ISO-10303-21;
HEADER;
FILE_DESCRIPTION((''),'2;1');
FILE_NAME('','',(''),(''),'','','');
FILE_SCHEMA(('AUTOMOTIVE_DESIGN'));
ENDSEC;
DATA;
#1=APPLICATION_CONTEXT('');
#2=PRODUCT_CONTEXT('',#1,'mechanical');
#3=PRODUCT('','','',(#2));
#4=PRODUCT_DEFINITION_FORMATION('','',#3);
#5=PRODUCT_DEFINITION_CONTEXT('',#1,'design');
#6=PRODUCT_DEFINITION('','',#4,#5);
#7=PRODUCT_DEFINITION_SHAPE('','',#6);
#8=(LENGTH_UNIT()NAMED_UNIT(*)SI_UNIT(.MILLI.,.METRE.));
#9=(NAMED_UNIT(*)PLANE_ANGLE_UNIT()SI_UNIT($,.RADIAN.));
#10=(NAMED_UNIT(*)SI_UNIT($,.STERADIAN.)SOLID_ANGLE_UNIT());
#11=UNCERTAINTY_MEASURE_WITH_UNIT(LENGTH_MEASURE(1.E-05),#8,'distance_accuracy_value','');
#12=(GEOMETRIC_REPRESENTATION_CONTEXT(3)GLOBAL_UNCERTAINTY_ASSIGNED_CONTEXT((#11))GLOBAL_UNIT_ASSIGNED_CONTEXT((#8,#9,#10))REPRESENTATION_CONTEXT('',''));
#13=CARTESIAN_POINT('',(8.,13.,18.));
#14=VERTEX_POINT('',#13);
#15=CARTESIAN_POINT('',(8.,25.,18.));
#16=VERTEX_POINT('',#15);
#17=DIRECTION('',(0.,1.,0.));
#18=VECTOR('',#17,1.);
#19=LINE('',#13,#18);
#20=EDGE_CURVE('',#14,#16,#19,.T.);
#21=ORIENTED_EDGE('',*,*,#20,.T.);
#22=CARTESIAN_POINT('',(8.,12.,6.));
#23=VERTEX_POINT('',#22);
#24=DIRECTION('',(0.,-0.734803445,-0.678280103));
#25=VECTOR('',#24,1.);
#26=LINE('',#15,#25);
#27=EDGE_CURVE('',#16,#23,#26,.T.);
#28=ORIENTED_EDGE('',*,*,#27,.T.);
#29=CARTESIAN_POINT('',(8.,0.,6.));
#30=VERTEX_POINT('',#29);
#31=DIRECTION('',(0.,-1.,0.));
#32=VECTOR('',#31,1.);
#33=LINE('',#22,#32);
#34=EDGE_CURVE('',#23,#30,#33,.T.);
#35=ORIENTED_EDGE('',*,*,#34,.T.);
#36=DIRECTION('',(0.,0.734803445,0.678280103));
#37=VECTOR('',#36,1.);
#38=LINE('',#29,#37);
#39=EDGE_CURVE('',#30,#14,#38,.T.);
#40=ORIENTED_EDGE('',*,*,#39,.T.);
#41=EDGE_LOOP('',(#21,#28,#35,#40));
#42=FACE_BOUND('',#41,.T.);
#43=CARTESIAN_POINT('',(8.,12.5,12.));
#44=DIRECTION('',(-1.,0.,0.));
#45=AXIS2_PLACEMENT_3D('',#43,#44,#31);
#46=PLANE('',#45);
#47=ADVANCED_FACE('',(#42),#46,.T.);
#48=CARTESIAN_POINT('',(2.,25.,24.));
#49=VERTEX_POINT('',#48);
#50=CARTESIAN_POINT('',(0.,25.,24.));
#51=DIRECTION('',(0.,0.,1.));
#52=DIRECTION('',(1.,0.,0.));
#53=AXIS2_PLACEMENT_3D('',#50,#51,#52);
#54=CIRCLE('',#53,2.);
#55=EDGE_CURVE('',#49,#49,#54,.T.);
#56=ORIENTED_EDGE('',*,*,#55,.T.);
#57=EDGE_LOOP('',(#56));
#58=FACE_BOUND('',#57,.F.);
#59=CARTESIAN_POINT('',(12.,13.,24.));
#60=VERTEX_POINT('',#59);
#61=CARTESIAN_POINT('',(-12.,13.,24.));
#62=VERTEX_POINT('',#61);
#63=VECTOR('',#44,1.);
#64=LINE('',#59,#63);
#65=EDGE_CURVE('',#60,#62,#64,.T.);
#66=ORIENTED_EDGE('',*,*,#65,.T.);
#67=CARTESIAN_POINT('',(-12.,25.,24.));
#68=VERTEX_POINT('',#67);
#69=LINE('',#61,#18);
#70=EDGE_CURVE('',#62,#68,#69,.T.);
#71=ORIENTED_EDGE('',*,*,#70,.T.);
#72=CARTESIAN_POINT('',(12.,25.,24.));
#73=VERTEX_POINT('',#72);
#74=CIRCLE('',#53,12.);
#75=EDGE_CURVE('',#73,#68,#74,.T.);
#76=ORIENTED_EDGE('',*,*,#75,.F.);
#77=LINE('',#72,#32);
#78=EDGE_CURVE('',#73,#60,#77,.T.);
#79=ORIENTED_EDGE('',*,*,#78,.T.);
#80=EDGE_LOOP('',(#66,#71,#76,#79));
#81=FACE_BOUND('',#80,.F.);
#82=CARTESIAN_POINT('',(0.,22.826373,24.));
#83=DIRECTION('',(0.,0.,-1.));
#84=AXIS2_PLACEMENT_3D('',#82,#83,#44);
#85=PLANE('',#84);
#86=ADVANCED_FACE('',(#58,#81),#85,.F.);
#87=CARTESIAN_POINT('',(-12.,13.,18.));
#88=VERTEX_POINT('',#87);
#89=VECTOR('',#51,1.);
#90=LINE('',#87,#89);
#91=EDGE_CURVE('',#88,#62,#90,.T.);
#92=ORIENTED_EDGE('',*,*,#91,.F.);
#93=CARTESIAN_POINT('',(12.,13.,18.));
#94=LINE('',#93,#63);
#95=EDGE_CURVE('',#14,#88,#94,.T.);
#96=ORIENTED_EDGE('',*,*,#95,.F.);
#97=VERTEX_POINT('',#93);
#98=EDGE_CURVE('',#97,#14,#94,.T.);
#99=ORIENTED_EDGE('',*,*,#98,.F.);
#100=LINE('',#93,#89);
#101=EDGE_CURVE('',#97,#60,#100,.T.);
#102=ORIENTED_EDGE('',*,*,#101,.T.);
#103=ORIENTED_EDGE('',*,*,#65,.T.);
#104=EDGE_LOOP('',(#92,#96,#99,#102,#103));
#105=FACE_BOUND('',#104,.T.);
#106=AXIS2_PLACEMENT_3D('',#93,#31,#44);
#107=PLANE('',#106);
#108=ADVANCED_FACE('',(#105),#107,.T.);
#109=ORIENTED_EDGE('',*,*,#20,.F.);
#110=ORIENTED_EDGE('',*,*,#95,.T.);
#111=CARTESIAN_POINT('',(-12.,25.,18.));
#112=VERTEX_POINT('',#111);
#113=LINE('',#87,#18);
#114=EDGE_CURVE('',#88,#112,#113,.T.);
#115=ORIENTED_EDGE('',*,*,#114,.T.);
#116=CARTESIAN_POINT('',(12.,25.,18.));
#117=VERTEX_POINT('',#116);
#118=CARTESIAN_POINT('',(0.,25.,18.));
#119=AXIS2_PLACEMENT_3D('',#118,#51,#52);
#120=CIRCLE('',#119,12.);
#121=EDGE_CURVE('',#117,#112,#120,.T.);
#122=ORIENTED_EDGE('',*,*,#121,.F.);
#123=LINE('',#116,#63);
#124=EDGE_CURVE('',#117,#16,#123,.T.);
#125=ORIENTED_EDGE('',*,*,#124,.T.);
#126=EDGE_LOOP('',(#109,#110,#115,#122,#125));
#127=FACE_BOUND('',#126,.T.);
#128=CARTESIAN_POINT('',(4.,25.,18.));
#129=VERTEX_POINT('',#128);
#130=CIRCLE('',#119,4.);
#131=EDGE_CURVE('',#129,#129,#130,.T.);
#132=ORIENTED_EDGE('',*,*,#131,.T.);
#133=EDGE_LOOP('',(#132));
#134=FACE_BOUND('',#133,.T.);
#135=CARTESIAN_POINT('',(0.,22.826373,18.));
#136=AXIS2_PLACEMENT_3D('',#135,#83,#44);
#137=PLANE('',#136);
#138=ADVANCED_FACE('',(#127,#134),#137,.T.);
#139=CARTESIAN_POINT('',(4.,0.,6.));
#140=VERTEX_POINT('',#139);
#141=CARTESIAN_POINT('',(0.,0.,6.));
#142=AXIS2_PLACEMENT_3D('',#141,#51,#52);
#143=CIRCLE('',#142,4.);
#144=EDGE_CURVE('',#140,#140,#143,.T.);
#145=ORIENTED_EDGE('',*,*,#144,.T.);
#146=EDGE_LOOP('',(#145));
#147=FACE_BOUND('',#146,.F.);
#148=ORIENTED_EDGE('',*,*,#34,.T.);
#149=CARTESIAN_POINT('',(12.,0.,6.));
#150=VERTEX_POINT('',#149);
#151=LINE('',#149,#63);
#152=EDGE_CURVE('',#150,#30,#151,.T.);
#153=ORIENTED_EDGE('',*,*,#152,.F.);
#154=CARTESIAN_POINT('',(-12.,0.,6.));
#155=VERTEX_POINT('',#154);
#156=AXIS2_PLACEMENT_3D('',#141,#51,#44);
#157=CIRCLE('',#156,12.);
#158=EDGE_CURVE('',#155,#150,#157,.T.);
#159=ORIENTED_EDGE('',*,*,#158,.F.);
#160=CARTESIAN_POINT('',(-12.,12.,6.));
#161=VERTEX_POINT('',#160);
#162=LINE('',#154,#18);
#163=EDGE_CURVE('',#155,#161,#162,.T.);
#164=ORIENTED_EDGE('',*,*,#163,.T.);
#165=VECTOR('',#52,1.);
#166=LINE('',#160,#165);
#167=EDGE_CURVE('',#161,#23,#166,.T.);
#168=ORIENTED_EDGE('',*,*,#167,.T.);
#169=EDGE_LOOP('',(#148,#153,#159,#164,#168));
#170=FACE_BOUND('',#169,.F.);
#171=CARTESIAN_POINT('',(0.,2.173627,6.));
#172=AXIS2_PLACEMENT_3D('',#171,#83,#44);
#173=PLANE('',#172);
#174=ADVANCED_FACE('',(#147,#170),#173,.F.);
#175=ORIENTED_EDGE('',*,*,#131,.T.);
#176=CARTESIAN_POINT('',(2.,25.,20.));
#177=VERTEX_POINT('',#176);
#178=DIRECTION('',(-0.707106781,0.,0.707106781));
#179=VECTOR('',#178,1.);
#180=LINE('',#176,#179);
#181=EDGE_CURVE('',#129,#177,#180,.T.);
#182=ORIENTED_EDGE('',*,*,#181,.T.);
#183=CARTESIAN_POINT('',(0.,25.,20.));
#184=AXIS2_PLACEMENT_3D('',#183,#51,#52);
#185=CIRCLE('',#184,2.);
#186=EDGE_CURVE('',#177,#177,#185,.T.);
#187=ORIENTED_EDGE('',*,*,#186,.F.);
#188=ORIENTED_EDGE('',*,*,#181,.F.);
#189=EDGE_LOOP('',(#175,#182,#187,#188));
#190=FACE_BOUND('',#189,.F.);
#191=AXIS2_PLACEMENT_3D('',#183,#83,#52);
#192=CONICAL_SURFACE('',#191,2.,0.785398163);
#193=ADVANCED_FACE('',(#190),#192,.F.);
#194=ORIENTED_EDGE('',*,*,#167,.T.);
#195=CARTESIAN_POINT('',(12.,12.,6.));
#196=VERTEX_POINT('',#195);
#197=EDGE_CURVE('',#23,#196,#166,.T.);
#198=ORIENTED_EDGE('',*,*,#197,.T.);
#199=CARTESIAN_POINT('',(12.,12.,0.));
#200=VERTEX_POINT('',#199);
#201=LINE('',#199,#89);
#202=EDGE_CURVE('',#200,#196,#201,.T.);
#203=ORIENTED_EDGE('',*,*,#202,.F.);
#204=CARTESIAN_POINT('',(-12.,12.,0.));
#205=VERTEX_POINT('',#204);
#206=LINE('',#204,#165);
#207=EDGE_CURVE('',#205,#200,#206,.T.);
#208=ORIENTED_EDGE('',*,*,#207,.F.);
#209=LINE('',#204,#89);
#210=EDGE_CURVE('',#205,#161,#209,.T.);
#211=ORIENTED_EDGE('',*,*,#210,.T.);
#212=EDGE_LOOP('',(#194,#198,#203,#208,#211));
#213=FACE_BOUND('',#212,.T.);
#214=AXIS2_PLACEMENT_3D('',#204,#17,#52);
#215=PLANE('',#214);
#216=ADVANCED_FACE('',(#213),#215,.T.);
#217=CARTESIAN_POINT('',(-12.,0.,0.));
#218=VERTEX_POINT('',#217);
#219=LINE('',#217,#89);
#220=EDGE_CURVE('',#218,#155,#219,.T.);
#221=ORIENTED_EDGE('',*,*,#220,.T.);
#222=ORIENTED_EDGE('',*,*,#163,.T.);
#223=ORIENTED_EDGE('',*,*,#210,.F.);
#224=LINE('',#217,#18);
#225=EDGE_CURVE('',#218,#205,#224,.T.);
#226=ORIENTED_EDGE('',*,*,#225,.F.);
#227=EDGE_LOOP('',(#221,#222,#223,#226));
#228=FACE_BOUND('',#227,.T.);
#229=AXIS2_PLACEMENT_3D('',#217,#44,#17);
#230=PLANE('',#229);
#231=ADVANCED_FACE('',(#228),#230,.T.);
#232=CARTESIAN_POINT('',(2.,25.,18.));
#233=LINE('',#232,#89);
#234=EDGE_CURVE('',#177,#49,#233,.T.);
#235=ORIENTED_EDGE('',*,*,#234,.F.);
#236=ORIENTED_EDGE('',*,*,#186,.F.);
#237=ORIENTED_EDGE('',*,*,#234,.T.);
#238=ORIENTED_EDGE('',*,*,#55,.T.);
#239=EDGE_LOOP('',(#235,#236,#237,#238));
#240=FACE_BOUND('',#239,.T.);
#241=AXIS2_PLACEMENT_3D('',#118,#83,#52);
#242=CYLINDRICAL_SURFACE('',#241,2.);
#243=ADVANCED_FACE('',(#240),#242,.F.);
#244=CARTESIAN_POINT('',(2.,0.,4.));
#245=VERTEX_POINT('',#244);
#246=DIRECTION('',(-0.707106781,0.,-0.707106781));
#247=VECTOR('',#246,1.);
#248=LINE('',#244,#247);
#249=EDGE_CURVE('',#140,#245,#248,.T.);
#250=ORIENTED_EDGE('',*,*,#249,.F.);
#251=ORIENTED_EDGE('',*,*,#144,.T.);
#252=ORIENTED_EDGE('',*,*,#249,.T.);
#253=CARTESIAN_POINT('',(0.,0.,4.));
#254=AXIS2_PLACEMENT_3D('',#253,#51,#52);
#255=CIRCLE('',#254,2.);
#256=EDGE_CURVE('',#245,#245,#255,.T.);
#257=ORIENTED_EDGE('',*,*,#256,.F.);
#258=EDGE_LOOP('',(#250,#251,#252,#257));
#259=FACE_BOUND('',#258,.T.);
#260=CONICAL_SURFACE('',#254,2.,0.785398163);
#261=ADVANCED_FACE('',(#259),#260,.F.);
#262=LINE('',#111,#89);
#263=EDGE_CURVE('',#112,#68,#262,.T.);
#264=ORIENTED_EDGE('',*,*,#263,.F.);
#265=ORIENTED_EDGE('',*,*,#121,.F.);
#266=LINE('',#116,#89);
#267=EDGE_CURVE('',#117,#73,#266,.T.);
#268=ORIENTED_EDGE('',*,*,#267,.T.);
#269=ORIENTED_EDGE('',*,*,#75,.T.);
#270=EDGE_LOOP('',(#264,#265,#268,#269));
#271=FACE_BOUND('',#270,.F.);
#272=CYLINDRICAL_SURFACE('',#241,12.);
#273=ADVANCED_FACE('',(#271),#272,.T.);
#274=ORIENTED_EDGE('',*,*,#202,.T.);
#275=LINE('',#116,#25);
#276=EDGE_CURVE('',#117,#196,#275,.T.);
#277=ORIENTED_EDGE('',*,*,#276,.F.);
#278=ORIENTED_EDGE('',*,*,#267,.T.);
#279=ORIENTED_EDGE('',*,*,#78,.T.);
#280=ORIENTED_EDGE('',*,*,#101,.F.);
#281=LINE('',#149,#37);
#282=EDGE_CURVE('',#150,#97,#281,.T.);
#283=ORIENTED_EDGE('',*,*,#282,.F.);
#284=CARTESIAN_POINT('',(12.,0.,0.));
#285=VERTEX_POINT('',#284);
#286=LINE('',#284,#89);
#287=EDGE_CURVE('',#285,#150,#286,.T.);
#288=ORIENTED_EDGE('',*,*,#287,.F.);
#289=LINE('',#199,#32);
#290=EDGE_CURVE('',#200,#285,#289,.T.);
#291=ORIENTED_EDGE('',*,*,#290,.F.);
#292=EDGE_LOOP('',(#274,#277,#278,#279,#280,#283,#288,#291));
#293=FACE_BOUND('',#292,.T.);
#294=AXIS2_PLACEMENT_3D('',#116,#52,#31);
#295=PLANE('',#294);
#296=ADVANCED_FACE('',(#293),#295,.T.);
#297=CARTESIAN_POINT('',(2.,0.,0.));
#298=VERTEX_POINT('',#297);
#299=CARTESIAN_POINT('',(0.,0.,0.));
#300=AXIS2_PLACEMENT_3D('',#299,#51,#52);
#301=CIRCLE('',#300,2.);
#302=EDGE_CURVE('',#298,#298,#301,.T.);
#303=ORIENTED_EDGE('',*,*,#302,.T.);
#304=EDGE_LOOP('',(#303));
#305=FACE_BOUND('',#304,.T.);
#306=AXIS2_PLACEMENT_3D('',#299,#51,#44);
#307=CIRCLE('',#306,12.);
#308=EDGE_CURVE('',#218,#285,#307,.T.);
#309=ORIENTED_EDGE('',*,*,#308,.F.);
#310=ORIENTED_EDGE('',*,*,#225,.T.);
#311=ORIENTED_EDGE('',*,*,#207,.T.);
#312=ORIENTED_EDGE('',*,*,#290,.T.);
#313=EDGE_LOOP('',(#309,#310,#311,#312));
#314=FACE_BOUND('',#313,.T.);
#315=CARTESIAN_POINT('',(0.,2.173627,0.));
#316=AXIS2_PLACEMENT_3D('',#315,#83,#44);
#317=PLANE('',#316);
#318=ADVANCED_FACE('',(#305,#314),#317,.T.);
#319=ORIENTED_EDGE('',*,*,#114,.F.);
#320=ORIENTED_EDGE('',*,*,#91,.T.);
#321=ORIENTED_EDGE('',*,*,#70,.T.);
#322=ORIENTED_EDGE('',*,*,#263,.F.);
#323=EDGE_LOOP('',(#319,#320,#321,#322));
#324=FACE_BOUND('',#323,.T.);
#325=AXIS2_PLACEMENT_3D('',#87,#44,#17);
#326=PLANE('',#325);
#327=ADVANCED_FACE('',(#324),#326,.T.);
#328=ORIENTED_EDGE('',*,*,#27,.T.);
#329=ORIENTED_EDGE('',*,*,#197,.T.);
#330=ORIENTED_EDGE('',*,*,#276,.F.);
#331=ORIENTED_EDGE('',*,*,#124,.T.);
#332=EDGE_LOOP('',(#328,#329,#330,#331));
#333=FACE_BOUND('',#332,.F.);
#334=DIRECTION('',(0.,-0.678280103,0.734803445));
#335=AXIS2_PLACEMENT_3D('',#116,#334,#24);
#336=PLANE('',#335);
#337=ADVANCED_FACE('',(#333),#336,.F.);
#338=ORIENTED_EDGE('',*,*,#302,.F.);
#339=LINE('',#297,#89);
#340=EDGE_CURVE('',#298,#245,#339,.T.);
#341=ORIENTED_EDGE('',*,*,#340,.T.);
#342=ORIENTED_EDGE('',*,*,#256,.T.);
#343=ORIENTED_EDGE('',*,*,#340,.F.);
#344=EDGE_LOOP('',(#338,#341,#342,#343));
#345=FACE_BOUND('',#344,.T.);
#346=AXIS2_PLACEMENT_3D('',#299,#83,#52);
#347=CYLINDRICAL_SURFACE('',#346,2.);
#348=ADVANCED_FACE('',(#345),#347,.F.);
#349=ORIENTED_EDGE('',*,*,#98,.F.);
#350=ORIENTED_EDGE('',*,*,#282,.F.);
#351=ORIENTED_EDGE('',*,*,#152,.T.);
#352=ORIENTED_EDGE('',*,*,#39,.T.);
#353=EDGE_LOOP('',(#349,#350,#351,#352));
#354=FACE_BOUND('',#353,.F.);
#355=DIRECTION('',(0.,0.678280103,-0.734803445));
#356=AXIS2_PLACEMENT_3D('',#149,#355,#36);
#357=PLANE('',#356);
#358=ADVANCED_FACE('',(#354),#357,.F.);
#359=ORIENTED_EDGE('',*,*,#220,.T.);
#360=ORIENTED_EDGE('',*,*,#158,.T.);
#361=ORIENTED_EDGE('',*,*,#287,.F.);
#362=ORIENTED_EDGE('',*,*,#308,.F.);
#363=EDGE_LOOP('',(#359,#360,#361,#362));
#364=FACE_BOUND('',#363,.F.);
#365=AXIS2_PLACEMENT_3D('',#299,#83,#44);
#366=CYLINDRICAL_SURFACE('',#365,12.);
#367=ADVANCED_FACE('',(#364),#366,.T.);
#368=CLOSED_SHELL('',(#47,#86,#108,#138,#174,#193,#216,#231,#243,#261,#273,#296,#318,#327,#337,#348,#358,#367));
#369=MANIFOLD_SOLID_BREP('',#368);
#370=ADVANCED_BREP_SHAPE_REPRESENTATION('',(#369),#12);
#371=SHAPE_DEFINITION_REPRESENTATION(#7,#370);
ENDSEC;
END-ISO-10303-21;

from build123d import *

# Parameters (mm, degrees)
SKETCH_R     = 2
PAD_DEPTH    = 6
PAD001_DEPTH = 4
SKETCH004_R  = 2
PAD002_DEPTH = 6
CHAMFER_SIZE = 2


with BuildPart() as part:
    # Sketch → Pad (new body)
    with BuildSketch(Plane.XY):
        with BuildLine():
            Line((-12, 0), (-12, 12))
            Line((-12, 12), (12, 12))
            Line((12, 12), (12, 0))
            ThreePointArc((-12, 0), (0, -12), (12, 0))
        make_face()
        Circle(SKETCH_R, mode=Mode.SUBTRACT)
    extrude(amount=PAD_DEPTH)

    # Sketch003 (on Face3 of Pad) → Pad001 (join)
    with BuildSketch(Plane.YZ.offset(12)):
        Polygon((0, 6), (13, 18), (25, 18), (12, 6), align=None)
    extrude(amount=-PAD001_DEPTH)

    # Sketch004 (on Face12 of Pad001) → Pad002 (join)
    with BuildSketch(Plane.XY.offset(18)):
        with BuildLine():
            Line((12, 25), (12, 13))
            Line((12, 13), (-12, 13))
            Line((-12, 13), (-12, 25))
            ThreePointArc((12, 25), (0, 37), (-12, 25))
        make_face()
        with Locations((0, 25)):
            Circle(SKETCH004_R, mode=Mode.SUBTRACT)
    extrude(amount=PAD002_DEPTH)

    # Chamfer
    chamfer_edges = [part.edges().sort_by_distance(p)[0] for p in [
        (-2, 0, 6),
        (-2, 25, 18),
    ]]
    chamfer(chamfer_edges, length=CHAMFER_SIZE)


solid = part.part
